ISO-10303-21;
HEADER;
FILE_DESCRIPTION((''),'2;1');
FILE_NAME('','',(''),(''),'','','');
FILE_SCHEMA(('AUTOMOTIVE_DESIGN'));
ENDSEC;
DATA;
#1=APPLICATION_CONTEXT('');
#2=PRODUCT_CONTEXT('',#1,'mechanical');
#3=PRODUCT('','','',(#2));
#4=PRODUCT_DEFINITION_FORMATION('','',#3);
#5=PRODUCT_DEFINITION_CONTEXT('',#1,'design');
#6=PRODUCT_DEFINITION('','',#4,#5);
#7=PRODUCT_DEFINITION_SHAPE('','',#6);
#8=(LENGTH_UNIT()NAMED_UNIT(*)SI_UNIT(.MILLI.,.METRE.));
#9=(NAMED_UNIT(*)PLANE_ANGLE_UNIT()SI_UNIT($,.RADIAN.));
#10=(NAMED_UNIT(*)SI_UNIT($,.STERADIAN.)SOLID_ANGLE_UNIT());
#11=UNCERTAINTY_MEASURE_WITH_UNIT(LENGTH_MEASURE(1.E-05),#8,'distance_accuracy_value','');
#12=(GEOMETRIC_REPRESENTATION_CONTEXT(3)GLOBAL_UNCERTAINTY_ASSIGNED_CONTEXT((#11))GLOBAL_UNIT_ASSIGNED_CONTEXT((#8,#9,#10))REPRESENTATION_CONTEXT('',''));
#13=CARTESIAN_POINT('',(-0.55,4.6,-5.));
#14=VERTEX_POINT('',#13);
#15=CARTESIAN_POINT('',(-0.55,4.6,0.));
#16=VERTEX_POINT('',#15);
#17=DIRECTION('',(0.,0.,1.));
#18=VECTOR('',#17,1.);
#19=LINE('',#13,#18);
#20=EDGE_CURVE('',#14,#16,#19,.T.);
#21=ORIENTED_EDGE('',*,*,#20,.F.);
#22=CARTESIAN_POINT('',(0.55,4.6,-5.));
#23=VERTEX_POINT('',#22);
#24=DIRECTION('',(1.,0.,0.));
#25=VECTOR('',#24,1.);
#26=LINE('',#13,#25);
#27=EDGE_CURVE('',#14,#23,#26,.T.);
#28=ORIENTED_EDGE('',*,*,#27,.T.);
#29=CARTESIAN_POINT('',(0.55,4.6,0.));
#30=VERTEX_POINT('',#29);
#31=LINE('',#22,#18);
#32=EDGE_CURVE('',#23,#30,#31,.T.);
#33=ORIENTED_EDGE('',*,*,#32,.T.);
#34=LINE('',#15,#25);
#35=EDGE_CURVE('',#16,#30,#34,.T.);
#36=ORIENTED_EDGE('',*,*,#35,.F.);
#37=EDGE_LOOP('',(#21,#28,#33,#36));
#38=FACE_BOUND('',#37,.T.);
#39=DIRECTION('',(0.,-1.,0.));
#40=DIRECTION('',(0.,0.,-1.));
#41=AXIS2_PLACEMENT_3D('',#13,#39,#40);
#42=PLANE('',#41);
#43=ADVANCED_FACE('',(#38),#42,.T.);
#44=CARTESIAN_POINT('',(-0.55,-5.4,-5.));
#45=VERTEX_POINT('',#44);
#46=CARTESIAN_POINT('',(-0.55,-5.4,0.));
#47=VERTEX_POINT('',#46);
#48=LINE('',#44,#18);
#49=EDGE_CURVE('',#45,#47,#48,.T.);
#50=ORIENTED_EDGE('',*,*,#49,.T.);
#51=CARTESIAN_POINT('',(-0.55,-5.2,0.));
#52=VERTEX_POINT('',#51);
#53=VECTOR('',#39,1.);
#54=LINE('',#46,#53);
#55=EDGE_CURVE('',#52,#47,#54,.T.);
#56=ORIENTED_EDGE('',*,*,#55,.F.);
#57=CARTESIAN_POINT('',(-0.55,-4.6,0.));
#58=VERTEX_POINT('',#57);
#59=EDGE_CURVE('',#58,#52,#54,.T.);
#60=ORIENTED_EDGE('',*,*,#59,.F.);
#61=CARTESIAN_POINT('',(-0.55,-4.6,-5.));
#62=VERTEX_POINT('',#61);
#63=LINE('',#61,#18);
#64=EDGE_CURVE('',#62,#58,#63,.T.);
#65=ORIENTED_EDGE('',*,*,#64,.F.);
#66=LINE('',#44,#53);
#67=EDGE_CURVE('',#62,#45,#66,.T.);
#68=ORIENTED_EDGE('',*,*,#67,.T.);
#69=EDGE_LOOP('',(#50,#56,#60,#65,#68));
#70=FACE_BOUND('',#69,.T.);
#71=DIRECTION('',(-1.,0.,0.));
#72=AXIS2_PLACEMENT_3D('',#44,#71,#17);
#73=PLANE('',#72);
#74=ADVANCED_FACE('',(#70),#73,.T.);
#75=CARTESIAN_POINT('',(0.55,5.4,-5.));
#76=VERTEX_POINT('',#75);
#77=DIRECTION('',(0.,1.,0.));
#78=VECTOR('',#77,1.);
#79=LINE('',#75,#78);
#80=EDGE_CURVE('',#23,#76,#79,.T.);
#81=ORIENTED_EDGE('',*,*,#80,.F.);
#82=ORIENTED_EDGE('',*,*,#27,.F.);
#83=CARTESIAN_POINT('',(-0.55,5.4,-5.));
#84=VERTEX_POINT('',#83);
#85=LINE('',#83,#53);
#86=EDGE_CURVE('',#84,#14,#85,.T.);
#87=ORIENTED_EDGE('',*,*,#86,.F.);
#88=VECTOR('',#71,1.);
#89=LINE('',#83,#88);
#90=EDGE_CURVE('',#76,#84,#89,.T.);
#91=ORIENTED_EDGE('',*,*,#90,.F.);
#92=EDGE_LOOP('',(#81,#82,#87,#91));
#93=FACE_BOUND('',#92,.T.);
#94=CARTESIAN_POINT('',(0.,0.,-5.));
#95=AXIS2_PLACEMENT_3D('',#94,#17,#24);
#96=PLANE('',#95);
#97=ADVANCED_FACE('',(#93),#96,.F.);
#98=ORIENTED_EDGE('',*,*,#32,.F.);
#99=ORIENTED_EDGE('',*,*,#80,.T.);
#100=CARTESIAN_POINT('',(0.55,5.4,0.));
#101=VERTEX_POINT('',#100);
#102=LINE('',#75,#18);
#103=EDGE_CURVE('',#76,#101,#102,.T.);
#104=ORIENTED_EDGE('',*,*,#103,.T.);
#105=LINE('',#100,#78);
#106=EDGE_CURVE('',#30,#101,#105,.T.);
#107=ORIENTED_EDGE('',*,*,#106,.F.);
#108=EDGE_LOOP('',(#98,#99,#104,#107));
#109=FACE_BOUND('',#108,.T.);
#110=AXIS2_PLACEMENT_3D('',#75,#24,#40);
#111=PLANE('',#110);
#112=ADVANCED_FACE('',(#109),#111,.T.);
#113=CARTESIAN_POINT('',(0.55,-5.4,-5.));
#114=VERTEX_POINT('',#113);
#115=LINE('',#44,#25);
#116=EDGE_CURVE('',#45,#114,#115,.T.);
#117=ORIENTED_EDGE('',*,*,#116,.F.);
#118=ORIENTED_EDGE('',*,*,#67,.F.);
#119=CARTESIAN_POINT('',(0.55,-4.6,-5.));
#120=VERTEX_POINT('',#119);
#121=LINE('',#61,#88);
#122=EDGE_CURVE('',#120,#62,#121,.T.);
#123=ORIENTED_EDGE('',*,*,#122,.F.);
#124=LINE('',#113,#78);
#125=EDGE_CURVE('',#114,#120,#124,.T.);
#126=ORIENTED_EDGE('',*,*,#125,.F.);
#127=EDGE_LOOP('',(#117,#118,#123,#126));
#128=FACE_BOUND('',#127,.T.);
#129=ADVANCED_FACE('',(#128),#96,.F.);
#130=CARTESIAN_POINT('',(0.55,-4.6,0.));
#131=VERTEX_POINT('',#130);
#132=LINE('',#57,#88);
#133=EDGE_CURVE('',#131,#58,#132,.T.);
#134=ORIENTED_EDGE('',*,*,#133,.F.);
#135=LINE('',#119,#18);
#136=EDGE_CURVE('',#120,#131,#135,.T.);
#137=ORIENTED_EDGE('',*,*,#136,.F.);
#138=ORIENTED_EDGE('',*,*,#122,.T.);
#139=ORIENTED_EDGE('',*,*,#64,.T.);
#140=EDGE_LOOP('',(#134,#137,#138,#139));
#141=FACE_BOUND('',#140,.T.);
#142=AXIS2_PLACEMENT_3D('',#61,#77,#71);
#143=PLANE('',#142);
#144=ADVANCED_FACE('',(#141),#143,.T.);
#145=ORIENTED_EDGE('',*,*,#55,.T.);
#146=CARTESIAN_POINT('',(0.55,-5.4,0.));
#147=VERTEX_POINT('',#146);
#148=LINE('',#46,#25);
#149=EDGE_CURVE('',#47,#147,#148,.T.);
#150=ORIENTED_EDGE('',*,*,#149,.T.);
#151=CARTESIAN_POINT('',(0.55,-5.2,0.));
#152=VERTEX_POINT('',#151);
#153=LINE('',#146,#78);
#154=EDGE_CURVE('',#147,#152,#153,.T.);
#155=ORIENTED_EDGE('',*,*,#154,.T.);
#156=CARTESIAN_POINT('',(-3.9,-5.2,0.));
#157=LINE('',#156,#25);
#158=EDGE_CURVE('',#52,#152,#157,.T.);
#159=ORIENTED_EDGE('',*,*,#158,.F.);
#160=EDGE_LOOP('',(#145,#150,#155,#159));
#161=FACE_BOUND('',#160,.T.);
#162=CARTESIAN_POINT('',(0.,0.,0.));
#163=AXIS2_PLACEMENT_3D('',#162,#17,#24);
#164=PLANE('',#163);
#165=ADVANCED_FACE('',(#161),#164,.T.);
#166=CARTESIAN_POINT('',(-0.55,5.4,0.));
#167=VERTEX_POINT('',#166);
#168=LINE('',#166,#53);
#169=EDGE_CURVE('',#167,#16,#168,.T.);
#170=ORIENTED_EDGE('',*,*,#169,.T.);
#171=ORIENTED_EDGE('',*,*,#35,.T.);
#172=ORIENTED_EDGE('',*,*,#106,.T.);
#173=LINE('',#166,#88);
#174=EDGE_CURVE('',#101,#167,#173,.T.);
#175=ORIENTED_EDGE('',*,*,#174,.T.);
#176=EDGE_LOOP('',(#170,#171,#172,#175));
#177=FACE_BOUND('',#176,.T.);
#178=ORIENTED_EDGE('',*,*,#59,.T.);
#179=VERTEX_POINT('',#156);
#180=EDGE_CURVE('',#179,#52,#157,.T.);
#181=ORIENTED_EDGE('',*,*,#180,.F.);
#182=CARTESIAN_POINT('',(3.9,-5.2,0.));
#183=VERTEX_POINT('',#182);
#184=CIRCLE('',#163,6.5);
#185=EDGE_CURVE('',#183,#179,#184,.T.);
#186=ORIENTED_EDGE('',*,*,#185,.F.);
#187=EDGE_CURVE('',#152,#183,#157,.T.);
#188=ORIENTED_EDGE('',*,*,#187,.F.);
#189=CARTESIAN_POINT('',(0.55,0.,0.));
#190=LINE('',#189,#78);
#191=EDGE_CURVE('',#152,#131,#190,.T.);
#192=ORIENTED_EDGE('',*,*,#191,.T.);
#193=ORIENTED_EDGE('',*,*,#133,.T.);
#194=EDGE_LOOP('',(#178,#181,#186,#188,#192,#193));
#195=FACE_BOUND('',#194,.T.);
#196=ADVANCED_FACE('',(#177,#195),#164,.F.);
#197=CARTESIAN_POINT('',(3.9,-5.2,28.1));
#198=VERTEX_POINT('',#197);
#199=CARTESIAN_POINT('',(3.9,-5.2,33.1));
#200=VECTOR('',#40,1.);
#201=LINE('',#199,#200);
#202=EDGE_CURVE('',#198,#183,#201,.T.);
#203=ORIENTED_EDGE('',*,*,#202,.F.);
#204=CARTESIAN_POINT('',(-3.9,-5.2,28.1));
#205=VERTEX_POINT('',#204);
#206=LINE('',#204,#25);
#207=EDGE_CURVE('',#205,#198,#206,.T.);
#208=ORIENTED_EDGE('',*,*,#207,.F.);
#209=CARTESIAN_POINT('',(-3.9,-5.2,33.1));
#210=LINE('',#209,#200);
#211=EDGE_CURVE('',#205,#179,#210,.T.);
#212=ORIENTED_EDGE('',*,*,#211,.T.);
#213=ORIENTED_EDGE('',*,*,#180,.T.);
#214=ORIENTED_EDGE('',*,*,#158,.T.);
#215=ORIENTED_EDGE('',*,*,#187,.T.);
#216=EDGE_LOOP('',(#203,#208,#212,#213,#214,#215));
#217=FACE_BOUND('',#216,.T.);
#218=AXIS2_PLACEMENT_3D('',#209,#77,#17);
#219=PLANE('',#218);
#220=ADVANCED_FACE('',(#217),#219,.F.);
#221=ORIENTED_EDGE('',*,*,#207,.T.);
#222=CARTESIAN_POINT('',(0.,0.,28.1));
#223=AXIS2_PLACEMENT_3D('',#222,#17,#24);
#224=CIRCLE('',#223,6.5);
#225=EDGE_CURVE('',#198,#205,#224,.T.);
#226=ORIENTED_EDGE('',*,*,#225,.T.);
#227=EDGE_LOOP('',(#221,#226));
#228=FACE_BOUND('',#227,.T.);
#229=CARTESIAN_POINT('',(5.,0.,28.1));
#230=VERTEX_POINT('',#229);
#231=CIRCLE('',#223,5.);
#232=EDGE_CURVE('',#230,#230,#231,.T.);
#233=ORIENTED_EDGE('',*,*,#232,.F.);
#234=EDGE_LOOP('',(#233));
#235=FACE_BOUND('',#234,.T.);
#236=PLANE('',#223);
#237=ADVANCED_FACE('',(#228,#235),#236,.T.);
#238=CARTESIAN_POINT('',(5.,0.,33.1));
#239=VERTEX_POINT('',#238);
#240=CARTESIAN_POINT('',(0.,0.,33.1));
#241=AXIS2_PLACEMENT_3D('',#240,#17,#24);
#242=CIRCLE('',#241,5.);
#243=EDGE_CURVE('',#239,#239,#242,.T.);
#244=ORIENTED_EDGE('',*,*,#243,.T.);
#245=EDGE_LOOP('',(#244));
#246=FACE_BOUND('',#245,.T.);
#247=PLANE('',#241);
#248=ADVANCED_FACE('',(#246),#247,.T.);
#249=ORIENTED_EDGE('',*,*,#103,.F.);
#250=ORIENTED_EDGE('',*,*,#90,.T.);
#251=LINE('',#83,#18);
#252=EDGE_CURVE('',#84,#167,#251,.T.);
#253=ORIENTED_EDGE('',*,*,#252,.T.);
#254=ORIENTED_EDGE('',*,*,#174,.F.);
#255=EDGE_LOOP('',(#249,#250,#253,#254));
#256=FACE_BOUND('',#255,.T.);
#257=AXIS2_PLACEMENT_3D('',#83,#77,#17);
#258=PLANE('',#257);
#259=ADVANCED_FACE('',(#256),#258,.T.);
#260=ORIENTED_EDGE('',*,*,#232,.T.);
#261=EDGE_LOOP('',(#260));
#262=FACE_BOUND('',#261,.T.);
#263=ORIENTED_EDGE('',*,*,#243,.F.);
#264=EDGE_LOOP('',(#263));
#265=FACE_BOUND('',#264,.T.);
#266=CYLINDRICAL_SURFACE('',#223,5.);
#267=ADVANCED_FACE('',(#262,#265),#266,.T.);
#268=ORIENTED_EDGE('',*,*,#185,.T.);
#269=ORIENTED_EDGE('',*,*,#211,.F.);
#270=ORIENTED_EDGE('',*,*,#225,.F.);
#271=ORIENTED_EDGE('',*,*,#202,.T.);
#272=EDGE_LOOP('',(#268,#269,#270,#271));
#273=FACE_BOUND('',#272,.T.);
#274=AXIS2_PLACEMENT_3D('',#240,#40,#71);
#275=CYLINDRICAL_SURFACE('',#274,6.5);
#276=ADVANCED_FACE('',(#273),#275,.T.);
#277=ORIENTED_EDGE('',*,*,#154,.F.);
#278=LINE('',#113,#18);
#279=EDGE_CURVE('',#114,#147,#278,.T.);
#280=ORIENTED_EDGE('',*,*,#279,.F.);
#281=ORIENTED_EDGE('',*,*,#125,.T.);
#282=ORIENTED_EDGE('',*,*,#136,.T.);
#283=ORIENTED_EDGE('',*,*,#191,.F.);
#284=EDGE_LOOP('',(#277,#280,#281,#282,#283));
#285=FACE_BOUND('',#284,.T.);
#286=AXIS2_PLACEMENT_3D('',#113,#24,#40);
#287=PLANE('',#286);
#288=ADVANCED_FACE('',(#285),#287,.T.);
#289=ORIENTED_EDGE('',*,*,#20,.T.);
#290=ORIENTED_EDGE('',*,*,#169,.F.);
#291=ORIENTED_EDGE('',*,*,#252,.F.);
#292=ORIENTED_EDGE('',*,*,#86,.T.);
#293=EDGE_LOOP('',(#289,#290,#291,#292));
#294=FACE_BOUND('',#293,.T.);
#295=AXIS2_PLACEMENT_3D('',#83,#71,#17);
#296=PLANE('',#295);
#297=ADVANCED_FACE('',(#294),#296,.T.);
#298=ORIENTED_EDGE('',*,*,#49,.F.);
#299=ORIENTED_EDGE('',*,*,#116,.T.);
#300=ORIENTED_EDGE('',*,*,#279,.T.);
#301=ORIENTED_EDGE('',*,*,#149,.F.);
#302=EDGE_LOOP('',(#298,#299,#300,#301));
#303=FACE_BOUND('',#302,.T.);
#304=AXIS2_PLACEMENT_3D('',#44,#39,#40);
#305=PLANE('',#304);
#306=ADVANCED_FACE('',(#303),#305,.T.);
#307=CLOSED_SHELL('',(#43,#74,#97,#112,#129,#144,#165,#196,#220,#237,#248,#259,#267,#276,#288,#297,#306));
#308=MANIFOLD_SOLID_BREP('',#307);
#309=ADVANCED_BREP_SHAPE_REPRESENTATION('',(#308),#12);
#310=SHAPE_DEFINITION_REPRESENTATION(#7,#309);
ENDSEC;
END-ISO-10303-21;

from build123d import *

# Parameters (mm, degrees)
EXTRUDE_1_DEPTH     = 33.1
CUT_EXTRUDE_START   = -5
SKETCH_2_R          = 5
CUT_EXTRUDE_1_DEPTH = 5
SKETCH_3_W          = 1.1
SKETCH_3_H          = 0.8
EXTRUDE_2_DEPTH     = 5


with BuildPart() as part:
    # 草图1 → 凸台-拉伸1 (new body)
    with BuildSketch(Plane.XY):
        with BuildLine():
            Line((-3.9, -5.2), (3.9, -5.2))
            ThreePointArc((3.9, -5.2), (0, 6.5), (-3.9, -5.2))
        make_face()
    extrude(amount=EXTRUDE_1_DEPTH)

    # 草图2 → 切除-拉伸1 (cut)
    with BuildSketch(Plane.XY.offset(33.1).offset(CUT_EXTRUDE_START)):
        with BuildLine():
            Line((-3.9, -5.2), (3.9, -5.2))
            ThreePointArc((3.9, -5.2), (0, 6.5), (-3.9, -5.2))
        make_face()
        Circle(SKETCH_2_R, mode=Mode.SUBTRACT)
    extrude(amount=CUT_EXTRUDE_1_DEPTH, mode=Mode.SUBTRACT)

    # 草图3 → 凸台-拉伸2 (add)
    with BuildSketch(Plane(origin=(0, -5.2, 0), x_dir=(1, 0, 0), z_dir=(0, 0, 1))):
        with Locations((0, 10.2)):
            Rectangle(SKETCH_3_W, SKETCH_3_H)
        with Locations((0, 0.2)):
            Rectangle(SKETCH_3_W, SKETCH_3_H)
    extrude(amount=-EXTRUDE_2_DEPTH)


solid = part.part
